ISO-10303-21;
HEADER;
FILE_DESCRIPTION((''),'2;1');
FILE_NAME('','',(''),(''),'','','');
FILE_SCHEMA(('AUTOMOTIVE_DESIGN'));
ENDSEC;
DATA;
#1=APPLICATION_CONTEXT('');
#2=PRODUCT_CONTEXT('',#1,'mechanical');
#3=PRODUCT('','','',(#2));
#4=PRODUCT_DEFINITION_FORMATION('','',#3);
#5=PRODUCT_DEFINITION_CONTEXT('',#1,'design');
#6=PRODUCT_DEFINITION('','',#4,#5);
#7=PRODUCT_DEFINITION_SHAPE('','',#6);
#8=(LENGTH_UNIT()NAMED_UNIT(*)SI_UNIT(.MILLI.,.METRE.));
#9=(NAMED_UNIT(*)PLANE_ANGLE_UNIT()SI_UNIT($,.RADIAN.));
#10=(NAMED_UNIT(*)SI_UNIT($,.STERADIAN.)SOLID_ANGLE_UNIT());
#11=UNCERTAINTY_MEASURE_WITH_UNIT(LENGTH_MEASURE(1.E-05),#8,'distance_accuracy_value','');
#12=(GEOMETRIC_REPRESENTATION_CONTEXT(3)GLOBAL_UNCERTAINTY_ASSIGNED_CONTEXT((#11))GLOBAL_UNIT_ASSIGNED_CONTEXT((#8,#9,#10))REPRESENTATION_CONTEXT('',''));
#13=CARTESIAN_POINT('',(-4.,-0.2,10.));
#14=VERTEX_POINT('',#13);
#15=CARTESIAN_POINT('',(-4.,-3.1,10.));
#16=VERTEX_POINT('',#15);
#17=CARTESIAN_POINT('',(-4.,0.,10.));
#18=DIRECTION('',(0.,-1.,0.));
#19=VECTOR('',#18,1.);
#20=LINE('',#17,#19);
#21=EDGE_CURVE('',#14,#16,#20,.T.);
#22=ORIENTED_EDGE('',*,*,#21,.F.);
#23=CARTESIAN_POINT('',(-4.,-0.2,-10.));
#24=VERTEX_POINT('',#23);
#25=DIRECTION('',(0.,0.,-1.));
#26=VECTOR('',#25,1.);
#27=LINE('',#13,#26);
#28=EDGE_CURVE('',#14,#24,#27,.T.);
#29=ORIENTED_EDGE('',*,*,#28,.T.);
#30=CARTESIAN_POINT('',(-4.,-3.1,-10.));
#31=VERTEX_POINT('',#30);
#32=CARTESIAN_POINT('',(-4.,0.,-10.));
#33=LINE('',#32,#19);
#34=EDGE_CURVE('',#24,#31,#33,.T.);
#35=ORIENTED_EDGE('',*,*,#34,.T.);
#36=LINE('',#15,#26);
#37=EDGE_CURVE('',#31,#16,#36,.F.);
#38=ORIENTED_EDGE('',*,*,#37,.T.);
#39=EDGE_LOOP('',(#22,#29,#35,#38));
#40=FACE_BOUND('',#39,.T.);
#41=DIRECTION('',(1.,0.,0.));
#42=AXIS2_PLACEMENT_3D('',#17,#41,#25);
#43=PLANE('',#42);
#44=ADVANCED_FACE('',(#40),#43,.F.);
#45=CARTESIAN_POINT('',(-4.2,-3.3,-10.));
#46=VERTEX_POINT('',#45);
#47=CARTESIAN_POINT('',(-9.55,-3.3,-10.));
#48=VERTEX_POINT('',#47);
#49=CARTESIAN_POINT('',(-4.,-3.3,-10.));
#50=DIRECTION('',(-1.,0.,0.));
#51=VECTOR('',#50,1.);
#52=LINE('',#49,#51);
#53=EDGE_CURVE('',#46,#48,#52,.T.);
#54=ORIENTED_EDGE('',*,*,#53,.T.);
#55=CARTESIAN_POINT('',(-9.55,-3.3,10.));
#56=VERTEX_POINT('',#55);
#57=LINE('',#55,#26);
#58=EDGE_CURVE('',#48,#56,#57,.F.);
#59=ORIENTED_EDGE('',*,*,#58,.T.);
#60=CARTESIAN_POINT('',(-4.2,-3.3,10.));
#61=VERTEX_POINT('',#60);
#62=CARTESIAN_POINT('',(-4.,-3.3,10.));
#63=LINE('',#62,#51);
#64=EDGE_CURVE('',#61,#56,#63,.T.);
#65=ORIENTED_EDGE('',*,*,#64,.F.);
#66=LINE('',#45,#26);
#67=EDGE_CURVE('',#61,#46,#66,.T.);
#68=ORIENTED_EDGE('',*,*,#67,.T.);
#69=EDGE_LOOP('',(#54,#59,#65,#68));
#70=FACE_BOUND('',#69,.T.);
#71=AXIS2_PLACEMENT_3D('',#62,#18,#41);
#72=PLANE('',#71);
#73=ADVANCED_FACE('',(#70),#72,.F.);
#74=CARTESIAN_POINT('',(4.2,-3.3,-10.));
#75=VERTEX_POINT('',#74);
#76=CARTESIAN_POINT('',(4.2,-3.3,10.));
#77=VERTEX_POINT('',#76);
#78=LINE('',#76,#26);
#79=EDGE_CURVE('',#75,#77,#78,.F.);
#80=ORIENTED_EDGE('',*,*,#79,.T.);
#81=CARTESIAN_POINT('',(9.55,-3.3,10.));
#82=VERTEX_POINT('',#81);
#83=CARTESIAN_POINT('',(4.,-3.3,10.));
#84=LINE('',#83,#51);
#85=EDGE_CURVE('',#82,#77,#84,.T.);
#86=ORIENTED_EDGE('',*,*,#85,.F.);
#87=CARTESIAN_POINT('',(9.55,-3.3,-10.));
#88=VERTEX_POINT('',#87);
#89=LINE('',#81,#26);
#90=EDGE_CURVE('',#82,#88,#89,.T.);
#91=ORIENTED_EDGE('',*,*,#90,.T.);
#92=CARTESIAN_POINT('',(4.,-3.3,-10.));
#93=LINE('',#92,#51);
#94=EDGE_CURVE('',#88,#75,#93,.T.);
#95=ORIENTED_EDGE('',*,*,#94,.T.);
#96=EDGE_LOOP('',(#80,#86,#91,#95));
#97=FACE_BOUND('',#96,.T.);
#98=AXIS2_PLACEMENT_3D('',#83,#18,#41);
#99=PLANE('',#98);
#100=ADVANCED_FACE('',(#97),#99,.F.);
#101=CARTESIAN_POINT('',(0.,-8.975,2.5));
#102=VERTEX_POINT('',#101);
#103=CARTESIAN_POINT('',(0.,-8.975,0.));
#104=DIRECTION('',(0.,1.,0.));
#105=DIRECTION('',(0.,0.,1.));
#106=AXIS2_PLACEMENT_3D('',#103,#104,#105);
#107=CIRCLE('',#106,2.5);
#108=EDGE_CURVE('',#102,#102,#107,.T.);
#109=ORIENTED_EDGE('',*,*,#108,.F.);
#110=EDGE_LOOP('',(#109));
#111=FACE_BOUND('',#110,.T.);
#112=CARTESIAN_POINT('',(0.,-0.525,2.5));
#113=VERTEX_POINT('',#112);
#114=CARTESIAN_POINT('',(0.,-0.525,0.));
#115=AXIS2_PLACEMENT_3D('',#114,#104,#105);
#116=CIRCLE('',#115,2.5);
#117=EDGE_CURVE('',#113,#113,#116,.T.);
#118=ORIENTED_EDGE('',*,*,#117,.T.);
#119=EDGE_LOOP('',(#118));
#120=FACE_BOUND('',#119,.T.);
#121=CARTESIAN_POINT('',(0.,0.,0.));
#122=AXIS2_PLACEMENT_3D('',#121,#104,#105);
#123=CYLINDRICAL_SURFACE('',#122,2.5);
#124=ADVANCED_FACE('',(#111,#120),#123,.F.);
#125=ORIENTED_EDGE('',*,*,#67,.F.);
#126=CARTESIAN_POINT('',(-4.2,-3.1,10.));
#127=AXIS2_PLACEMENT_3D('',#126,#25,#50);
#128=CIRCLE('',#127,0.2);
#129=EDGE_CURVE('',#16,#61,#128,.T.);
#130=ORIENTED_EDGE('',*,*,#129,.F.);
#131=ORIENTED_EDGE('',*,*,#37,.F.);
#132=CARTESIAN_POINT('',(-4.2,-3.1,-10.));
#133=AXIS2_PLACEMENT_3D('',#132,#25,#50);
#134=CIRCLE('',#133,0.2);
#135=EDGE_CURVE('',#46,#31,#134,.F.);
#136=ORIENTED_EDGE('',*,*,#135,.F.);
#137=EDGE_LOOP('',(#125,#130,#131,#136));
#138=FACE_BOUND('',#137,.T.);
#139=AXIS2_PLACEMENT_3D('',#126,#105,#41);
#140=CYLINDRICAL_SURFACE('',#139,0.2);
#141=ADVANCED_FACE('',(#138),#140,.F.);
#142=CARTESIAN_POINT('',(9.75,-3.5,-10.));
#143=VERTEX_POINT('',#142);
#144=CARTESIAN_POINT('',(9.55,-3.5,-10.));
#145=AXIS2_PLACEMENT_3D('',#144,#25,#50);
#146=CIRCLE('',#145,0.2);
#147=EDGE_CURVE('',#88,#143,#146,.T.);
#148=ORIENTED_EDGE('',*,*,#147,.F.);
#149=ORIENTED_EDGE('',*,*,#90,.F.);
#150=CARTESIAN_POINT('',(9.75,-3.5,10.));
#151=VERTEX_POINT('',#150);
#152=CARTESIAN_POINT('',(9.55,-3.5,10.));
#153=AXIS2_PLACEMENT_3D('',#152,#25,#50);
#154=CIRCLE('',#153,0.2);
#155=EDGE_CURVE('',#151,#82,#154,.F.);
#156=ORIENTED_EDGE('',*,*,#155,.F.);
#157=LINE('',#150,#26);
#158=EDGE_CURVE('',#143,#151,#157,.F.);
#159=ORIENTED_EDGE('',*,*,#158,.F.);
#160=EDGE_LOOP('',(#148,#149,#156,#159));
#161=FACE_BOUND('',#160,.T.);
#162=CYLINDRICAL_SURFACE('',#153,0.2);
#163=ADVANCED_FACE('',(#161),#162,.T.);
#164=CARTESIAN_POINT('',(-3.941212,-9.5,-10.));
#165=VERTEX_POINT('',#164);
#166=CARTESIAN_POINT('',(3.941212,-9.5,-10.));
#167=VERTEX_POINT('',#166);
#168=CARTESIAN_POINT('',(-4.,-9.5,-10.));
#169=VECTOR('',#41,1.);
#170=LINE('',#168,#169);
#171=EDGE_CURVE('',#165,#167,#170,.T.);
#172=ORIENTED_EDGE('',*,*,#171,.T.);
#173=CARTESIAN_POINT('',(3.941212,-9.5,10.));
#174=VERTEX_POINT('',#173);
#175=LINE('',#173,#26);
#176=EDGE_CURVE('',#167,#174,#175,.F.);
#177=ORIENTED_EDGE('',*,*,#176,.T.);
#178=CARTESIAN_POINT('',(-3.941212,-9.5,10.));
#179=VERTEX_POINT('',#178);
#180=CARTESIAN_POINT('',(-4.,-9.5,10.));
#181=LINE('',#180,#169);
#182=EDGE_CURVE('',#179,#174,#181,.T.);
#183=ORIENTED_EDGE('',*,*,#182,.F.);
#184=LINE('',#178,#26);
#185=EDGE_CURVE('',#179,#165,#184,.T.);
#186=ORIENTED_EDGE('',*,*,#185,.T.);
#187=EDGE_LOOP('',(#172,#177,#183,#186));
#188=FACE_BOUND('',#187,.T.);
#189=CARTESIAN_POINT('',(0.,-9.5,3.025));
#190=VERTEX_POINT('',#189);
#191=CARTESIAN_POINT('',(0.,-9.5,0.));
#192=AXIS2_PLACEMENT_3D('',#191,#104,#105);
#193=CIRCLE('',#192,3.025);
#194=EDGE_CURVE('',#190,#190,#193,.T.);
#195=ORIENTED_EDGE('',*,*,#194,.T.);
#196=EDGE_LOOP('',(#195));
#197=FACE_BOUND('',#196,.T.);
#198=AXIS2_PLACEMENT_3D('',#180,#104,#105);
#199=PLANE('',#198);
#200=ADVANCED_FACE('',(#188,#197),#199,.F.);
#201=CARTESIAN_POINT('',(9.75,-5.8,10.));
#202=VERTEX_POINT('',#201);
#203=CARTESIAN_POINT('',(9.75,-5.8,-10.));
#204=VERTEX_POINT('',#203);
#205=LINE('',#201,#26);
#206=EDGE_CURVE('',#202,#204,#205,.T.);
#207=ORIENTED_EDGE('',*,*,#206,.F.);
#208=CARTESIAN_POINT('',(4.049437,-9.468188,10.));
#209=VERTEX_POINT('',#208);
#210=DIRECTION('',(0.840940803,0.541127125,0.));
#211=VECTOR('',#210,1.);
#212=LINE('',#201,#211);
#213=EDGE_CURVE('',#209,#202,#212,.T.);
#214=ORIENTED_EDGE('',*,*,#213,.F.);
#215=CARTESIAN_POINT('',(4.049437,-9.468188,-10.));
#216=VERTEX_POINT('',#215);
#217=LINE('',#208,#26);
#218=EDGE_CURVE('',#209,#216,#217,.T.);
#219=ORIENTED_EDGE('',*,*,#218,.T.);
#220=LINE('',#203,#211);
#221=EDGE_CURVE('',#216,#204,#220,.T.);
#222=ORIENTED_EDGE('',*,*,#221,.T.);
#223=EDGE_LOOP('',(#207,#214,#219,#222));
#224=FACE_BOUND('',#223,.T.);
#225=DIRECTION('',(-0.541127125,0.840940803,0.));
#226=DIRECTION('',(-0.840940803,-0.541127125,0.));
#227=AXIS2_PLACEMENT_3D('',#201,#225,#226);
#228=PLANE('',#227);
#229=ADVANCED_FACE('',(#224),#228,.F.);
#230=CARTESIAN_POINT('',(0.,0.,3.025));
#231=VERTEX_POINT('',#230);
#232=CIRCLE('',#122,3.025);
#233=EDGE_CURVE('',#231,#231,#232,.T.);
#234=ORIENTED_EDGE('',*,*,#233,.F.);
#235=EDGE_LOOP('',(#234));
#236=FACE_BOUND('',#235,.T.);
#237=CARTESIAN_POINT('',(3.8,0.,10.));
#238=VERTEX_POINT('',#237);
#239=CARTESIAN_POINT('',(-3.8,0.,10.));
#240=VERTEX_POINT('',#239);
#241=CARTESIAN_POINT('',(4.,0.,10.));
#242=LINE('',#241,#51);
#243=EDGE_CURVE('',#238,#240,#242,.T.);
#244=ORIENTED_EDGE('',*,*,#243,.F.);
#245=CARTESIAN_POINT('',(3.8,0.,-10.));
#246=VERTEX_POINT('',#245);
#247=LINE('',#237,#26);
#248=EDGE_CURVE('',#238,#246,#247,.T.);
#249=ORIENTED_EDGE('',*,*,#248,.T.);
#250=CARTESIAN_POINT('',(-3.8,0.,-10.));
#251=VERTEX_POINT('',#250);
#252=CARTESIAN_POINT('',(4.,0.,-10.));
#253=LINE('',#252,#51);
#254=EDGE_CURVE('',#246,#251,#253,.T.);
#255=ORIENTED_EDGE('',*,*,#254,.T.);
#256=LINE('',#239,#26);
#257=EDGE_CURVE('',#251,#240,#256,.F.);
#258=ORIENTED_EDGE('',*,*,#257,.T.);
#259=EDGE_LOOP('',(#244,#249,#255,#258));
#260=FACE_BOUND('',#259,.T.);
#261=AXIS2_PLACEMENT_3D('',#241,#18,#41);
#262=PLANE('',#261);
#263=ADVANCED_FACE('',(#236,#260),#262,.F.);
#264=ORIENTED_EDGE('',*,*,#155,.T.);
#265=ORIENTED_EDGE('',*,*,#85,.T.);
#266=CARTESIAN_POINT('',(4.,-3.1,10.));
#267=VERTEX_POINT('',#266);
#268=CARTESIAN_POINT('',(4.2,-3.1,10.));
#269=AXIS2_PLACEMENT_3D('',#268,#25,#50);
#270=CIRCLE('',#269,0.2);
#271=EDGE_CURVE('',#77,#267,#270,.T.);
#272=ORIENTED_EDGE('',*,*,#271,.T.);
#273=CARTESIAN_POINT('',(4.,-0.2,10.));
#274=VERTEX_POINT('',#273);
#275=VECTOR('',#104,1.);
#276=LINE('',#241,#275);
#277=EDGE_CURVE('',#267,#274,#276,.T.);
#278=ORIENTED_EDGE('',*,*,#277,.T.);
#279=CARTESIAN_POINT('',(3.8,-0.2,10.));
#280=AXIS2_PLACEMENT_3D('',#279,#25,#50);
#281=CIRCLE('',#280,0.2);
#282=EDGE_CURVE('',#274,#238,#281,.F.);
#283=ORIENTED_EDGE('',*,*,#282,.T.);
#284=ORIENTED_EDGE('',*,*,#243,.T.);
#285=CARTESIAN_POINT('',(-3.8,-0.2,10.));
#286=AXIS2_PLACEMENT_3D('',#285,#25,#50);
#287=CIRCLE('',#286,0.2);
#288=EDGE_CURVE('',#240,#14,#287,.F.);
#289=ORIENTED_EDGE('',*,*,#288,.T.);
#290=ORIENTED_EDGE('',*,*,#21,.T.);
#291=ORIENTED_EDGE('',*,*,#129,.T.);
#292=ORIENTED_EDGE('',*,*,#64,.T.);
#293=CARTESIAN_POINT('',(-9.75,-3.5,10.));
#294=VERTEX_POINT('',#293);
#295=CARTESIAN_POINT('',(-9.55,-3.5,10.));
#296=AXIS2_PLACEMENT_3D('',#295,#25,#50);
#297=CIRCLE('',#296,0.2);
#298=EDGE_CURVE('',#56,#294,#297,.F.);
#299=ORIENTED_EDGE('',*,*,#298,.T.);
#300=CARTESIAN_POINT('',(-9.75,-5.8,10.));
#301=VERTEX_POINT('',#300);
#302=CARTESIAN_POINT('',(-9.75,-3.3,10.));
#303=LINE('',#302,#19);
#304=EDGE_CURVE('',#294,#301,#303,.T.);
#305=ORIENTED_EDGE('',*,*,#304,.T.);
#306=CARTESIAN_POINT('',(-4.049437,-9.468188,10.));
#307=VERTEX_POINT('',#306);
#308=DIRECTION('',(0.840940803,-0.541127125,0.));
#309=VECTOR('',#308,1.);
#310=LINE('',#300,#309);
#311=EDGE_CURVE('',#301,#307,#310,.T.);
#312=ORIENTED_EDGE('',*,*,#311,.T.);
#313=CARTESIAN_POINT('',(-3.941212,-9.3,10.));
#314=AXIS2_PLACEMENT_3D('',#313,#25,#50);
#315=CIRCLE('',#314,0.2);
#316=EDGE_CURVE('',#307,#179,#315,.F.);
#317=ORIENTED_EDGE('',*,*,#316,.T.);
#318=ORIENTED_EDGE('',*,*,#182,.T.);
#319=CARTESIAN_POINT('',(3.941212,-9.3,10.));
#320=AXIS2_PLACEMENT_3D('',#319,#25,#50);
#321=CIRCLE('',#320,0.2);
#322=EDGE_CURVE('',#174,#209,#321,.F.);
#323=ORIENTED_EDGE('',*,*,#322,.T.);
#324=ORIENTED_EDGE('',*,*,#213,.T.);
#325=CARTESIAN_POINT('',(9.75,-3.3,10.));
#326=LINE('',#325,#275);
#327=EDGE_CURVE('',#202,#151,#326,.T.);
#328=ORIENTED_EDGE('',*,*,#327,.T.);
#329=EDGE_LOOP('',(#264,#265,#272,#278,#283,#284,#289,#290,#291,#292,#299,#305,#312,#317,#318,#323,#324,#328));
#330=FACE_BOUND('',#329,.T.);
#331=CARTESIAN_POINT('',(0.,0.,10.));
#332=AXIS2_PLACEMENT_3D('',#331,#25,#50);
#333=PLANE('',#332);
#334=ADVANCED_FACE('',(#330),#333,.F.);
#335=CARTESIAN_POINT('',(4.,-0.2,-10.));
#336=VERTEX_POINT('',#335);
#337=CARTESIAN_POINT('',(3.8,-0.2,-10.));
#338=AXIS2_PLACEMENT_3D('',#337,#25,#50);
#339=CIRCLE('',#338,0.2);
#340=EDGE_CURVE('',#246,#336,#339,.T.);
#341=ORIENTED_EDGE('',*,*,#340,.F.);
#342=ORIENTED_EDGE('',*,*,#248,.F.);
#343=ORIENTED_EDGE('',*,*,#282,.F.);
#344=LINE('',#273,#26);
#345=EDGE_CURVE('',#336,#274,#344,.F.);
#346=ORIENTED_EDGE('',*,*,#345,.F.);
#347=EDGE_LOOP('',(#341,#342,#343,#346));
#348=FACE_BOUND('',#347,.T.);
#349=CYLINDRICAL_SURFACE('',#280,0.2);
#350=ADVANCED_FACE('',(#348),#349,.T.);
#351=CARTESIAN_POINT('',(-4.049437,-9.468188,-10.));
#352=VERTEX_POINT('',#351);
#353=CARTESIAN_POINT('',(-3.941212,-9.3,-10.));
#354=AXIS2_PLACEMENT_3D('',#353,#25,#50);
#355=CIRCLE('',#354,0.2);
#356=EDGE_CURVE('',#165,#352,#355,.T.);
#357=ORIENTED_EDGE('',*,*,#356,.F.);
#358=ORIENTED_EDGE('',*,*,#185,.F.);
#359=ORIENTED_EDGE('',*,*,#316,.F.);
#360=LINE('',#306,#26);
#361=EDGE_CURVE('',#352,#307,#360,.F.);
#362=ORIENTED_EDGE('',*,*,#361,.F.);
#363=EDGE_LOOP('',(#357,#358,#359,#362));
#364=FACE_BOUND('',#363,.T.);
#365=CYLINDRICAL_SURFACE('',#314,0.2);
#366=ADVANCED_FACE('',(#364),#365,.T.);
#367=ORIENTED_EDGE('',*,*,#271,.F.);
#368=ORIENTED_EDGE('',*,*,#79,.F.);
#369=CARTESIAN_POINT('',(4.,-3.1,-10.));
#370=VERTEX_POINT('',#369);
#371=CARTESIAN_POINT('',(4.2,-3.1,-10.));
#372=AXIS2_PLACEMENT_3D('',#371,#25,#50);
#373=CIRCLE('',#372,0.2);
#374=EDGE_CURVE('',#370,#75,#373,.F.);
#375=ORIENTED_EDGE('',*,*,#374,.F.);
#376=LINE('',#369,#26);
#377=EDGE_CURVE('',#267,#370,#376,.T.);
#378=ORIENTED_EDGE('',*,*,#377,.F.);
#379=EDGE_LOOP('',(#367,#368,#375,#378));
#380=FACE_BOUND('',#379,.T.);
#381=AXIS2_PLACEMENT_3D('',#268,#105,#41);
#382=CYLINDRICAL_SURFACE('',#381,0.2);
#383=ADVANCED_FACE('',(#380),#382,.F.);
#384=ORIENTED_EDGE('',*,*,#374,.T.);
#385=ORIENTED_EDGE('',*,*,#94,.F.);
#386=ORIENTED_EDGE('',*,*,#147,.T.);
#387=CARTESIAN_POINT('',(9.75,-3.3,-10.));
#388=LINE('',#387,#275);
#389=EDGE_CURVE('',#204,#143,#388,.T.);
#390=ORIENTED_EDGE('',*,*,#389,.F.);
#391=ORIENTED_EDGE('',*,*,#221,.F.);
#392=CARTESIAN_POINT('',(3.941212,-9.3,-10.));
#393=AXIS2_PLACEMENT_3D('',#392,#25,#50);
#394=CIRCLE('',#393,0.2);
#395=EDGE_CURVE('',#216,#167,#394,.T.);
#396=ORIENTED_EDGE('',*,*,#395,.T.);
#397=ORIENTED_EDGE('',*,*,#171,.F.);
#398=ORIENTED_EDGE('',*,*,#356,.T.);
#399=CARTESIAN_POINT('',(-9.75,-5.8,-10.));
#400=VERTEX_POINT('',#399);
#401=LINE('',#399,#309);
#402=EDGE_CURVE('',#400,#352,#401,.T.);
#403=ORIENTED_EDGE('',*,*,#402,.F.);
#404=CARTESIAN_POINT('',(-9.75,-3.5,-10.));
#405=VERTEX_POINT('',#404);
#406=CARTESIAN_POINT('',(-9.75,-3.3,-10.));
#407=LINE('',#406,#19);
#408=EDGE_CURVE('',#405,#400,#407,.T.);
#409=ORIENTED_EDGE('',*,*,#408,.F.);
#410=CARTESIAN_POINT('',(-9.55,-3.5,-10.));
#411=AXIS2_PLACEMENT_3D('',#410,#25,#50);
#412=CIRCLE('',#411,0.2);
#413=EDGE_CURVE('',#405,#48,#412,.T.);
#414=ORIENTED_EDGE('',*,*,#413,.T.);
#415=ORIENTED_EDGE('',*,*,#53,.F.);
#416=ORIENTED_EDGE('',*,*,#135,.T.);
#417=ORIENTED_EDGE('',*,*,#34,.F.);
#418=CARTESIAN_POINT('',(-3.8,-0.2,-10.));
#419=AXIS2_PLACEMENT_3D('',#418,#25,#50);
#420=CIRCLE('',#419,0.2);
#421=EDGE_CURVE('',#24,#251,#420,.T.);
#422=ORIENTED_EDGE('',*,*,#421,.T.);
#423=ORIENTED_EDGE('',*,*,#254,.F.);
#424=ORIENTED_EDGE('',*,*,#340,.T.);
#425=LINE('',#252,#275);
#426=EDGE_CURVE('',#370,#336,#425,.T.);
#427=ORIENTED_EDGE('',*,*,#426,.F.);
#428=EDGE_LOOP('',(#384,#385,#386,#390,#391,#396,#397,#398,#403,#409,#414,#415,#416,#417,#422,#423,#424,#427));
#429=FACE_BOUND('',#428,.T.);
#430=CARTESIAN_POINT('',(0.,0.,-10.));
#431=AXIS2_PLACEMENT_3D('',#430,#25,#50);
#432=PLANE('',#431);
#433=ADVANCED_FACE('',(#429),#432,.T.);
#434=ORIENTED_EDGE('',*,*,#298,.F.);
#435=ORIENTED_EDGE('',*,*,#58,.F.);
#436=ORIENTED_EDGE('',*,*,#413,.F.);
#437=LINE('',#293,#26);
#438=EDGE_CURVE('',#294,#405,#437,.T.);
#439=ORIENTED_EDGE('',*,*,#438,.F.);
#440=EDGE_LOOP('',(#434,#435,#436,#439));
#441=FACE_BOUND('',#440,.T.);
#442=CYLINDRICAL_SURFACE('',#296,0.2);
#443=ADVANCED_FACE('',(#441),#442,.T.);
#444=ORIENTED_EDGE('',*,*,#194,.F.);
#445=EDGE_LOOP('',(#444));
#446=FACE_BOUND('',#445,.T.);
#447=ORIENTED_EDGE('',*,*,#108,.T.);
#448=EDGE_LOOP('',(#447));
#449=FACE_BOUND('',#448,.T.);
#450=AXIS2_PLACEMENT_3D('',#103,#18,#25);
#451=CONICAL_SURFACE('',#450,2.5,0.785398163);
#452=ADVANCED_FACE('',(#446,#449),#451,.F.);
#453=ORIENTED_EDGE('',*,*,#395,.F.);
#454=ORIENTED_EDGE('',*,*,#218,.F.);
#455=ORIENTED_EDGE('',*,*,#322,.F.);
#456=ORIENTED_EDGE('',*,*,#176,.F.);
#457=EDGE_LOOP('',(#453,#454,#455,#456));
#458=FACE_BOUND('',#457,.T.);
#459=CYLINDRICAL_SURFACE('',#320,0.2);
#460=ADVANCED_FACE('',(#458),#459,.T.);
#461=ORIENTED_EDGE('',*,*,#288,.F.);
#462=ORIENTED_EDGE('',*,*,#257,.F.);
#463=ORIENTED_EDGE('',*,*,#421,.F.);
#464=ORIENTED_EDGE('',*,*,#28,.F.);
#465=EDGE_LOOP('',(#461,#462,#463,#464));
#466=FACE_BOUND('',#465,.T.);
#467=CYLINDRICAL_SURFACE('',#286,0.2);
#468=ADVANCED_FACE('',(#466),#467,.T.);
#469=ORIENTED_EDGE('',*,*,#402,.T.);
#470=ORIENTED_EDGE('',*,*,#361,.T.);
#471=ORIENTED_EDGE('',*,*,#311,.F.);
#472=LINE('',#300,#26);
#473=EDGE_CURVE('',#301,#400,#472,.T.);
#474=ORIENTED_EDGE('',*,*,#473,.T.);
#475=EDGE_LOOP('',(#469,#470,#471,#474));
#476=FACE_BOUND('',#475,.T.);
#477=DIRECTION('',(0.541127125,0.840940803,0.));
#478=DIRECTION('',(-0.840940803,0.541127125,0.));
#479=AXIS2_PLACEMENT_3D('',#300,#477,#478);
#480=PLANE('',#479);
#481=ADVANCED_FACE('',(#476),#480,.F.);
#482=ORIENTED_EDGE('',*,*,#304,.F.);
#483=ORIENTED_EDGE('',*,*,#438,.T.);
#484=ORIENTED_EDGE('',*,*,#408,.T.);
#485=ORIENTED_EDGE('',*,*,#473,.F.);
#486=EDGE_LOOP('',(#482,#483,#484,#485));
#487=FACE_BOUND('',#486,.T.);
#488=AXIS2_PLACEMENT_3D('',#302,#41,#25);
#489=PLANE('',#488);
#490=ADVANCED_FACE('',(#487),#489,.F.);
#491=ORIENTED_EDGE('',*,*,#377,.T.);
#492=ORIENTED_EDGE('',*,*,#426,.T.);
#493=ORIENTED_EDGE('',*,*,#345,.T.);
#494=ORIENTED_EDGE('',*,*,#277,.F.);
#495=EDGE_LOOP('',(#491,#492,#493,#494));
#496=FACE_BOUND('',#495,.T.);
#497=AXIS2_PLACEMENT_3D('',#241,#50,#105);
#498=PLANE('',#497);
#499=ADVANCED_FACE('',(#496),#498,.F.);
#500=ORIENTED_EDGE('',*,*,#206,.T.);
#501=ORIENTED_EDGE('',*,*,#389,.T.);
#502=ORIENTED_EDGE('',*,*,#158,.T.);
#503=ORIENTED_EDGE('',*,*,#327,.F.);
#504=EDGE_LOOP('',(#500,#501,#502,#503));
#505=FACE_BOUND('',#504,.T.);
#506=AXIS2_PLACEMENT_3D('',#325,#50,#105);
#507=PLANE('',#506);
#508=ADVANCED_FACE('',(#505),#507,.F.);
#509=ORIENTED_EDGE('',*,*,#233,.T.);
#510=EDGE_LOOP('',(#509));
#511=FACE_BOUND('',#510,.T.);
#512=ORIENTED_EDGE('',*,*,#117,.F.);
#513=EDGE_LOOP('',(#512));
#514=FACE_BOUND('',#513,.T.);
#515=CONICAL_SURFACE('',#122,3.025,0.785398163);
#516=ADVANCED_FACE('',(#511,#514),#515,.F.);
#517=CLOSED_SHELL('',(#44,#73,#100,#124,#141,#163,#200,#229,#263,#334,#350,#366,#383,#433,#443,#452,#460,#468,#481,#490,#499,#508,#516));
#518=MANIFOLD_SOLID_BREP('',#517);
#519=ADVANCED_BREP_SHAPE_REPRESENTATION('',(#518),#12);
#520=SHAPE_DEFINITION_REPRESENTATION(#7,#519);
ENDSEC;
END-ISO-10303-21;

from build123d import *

# Parameters (mm, degrees)
EXTRUDE_1_DEPTH = 10
FILLET_1_R      = 0.2


with BuildPart() as part:
    # Эскиз1 → Бобышка-Вытянуть1 (new body, symmetric)
    with BuildSketch(Plane.XY):
        Polygon((4, 0), (-4, 0), (-4, -3.3), (-9.75, -3.3), (-9.75, -5.8), (-4, -9.5), (4, -9.5), (9.75, -5.8), (9.75, -3.3), (4, -3.3), align=None)
    extrude(amount=EXTRUDE_1_DEPTH, both=True)

    # Эскиз4 → Отверстие обработанное метчиком M63 (revolve, cut)
    with BuildSketch(Plane(origin=(0, 0, 0), x_dir=(0, 0, 1), z_dir=(1, 0, 0))):
        Polygon((0, 0), (0, 9.5), (3.025, 9.5), (2.5, 8.975), (2.5, 0.525), (3.025, 0), align=None)
    revolve(axis=Axis((0, 6.35, 0), (0, -1, 0)), mode=Mode.SUBTRACT)

    # Скругление1
    fillet_1_edges = [part.edges().sort_by_distance(p)[0] for p in [
        (-4, 0, 0),
        (4, 0, 0),
        (4, -3.3, 0),
        (9.75, -3.3, 0),
        (4, -9.5, 0),
        (-4, -9.5, 0),
        (-9.75, -3.3, 0),
        (-4, -3.3, 0),
    ]]
    fillet(fillet_1_edges, radius=FILLET_1_R)


solid = part.part
